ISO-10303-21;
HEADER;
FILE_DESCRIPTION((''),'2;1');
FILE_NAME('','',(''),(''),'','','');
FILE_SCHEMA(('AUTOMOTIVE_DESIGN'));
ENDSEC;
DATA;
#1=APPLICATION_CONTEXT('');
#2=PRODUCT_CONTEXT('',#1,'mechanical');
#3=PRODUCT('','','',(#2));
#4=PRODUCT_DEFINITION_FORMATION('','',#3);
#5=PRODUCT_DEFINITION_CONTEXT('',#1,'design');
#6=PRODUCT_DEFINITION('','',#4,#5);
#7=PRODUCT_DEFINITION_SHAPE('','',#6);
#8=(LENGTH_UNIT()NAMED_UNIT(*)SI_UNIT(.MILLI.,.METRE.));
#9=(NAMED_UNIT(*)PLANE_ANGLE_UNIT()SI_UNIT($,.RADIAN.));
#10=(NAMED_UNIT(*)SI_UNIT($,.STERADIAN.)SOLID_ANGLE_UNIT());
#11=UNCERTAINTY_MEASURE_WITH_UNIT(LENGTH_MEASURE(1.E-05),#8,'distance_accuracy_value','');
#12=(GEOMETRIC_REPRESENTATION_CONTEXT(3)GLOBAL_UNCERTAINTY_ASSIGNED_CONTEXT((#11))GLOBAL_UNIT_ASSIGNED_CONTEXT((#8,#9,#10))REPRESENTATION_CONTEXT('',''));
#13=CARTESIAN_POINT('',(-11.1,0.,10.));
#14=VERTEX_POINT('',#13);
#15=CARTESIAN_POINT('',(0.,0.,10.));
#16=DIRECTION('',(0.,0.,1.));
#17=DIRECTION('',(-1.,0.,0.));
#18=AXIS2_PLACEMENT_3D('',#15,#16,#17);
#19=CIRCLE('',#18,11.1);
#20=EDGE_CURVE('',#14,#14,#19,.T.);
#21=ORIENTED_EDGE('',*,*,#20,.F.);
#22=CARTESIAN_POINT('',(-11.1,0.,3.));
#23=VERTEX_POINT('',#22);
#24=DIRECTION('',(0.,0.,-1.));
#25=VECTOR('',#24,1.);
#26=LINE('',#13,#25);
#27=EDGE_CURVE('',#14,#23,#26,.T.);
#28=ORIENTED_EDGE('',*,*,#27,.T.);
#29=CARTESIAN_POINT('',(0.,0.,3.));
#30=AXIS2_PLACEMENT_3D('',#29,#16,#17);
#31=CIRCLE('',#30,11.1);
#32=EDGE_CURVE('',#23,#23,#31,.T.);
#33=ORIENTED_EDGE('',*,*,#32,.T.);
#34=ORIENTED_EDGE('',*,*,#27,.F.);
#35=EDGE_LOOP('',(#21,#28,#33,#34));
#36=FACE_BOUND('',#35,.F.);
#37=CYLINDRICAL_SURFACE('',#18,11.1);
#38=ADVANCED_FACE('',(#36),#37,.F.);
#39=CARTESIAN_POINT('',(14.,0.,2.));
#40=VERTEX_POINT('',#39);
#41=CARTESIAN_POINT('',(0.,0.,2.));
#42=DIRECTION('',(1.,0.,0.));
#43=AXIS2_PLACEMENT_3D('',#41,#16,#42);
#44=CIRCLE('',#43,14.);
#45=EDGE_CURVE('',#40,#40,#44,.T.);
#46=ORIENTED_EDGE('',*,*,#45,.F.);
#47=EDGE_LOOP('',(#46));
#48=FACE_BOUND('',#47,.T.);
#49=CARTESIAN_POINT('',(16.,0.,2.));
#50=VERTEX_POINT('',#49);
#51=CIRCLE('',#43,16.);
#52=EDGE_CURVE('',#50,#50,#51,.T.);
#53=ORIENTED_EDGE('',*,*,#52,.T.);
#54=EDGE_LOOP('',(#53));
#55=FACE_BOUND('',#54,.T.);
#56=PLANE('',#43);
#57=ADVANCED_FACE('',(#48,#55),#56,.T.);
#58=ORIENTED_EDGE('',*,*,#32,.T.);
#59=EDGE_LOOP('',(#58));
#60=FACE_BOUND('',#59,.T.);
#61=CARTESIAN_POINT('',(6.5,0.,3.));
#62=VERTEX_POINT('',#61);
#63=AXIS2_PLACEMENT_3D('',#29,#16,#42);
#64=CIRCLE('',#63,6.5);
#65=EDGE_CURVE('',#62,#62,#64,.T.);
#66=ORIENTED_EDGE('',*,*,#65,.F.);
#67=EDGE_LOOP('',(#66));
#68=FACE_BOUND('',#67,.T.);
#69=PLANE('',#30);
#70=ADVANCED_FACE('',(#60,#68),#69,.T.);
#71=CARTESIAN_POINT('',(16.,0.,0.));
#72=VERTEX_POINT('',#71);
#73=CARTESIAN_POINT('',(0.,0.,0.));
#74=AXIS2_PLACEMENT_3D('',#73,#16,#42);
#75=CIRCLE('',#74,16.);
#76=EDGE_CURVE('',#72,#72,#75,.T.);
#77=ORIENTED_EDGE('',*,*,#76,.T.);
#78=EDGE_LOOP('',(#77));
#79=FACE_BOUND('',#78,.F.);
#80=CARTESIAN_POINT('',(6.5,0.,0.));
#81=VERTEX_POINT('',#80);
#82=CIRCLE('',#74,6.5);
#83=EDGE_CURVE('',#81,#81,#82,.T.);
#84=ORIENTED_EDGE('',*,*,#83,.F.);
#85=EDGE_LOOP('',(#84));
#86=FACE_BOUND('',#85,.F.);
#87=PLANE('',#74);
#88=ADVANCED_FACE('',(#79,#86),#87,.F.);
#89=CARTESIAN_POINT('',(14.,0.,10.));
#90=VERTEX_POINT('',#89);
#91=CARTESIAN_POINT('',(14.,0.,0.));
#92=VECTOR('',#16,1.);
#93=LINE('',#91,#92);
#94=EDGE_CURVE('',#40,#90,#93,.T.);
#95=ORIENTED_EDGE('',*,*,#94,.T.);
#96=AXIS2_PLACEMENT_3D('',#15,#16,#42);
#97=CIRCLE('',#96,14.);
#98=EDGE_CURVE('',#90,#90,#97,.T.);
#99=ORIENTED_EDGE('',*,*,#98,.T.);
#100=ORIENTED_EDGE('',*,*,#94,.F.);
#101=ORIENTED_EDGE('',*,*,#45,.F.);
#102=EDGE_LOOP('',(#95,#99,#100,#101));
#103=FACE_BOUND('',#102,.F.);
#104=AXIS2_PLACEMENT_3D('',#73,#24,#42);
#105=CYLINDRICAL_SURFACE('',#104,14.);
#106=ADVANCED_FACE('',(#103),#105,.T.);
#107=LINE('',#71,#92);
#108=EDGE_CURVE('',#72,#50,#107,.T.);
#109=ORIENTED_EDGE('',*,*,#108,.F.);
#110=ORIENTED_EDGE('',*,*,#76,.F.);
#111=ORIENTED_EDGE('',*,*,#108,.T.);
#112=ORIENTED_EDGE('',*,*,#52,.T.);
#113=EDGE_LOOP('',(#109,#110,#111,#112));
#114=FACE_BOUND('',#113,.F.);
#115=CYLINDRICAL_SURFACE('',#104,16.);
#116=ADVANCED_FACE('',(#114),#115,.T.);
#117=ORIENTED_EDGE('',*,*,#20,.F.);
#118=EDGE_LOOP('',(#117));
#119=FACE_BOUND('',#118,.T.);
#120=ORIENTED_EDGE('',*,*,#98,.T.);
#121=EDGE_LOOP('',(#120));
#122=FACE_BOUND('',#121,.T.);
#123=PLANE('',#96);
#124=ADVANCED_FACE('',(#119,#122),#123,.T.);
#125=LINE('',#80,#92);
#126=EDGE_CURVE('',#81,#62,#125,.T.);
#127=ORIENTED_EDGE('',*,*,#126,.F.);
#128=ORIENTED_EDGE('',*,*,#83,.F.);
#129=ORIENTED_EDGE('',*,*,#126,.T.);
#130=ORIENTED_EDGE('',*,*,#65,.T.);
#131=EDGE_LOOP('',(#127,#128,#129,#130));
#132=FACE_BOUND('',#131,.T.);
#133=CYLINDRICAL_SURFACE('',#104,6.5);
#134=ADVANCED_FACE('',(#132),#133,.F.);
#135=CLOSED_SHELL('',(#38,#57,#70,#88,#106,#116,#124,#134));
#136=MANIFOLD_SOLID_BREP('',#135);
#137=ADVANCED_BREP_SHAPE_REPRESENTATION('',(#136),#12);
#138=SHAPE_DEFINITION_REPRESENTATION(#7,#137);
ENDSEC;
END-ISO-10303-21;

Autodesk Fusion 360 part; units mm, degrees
sketch "Sketch1" plane through (0, 0, 0) normal (0, 0, 1) x (1, 0, 0)
  circle A0 centre (0, 0) radius 14
  circle A1 centre (0, 0) radius 16
  circle A2 centre (0, 0) radius 6.5
  dimension "d1" = 28
  dimension "d2" = 2
  dimension "d10" = 13
extrude "Extrude4" add sketch "Sketch1" along normal blind 10 contours A0
sketch "Sketch2" plane through (0, 0, 10) normal (0, 0, 1) x (-1, 0, 0)
  circle A0 centre (0, 0) radius 14
  circle A1 centre (0, 0) radius 11.1
  circle A2 centre (0, 0) radius 6.5
  circle A3 centre (0, 0) radius 6.5
  circle A4 centre (0, 0) radius 14
  circle A5 centre (0, 0) radius 6.5
  circle A6 centre (0, 0) radius 14
  dimension "d7" = 22.2
extrude "Extrude5" cut sketch "Sketch2" against normal blind 7 contours A1
extrude "Extrude6" add sketch "Sketch1" along normal blind 2 contours A1
